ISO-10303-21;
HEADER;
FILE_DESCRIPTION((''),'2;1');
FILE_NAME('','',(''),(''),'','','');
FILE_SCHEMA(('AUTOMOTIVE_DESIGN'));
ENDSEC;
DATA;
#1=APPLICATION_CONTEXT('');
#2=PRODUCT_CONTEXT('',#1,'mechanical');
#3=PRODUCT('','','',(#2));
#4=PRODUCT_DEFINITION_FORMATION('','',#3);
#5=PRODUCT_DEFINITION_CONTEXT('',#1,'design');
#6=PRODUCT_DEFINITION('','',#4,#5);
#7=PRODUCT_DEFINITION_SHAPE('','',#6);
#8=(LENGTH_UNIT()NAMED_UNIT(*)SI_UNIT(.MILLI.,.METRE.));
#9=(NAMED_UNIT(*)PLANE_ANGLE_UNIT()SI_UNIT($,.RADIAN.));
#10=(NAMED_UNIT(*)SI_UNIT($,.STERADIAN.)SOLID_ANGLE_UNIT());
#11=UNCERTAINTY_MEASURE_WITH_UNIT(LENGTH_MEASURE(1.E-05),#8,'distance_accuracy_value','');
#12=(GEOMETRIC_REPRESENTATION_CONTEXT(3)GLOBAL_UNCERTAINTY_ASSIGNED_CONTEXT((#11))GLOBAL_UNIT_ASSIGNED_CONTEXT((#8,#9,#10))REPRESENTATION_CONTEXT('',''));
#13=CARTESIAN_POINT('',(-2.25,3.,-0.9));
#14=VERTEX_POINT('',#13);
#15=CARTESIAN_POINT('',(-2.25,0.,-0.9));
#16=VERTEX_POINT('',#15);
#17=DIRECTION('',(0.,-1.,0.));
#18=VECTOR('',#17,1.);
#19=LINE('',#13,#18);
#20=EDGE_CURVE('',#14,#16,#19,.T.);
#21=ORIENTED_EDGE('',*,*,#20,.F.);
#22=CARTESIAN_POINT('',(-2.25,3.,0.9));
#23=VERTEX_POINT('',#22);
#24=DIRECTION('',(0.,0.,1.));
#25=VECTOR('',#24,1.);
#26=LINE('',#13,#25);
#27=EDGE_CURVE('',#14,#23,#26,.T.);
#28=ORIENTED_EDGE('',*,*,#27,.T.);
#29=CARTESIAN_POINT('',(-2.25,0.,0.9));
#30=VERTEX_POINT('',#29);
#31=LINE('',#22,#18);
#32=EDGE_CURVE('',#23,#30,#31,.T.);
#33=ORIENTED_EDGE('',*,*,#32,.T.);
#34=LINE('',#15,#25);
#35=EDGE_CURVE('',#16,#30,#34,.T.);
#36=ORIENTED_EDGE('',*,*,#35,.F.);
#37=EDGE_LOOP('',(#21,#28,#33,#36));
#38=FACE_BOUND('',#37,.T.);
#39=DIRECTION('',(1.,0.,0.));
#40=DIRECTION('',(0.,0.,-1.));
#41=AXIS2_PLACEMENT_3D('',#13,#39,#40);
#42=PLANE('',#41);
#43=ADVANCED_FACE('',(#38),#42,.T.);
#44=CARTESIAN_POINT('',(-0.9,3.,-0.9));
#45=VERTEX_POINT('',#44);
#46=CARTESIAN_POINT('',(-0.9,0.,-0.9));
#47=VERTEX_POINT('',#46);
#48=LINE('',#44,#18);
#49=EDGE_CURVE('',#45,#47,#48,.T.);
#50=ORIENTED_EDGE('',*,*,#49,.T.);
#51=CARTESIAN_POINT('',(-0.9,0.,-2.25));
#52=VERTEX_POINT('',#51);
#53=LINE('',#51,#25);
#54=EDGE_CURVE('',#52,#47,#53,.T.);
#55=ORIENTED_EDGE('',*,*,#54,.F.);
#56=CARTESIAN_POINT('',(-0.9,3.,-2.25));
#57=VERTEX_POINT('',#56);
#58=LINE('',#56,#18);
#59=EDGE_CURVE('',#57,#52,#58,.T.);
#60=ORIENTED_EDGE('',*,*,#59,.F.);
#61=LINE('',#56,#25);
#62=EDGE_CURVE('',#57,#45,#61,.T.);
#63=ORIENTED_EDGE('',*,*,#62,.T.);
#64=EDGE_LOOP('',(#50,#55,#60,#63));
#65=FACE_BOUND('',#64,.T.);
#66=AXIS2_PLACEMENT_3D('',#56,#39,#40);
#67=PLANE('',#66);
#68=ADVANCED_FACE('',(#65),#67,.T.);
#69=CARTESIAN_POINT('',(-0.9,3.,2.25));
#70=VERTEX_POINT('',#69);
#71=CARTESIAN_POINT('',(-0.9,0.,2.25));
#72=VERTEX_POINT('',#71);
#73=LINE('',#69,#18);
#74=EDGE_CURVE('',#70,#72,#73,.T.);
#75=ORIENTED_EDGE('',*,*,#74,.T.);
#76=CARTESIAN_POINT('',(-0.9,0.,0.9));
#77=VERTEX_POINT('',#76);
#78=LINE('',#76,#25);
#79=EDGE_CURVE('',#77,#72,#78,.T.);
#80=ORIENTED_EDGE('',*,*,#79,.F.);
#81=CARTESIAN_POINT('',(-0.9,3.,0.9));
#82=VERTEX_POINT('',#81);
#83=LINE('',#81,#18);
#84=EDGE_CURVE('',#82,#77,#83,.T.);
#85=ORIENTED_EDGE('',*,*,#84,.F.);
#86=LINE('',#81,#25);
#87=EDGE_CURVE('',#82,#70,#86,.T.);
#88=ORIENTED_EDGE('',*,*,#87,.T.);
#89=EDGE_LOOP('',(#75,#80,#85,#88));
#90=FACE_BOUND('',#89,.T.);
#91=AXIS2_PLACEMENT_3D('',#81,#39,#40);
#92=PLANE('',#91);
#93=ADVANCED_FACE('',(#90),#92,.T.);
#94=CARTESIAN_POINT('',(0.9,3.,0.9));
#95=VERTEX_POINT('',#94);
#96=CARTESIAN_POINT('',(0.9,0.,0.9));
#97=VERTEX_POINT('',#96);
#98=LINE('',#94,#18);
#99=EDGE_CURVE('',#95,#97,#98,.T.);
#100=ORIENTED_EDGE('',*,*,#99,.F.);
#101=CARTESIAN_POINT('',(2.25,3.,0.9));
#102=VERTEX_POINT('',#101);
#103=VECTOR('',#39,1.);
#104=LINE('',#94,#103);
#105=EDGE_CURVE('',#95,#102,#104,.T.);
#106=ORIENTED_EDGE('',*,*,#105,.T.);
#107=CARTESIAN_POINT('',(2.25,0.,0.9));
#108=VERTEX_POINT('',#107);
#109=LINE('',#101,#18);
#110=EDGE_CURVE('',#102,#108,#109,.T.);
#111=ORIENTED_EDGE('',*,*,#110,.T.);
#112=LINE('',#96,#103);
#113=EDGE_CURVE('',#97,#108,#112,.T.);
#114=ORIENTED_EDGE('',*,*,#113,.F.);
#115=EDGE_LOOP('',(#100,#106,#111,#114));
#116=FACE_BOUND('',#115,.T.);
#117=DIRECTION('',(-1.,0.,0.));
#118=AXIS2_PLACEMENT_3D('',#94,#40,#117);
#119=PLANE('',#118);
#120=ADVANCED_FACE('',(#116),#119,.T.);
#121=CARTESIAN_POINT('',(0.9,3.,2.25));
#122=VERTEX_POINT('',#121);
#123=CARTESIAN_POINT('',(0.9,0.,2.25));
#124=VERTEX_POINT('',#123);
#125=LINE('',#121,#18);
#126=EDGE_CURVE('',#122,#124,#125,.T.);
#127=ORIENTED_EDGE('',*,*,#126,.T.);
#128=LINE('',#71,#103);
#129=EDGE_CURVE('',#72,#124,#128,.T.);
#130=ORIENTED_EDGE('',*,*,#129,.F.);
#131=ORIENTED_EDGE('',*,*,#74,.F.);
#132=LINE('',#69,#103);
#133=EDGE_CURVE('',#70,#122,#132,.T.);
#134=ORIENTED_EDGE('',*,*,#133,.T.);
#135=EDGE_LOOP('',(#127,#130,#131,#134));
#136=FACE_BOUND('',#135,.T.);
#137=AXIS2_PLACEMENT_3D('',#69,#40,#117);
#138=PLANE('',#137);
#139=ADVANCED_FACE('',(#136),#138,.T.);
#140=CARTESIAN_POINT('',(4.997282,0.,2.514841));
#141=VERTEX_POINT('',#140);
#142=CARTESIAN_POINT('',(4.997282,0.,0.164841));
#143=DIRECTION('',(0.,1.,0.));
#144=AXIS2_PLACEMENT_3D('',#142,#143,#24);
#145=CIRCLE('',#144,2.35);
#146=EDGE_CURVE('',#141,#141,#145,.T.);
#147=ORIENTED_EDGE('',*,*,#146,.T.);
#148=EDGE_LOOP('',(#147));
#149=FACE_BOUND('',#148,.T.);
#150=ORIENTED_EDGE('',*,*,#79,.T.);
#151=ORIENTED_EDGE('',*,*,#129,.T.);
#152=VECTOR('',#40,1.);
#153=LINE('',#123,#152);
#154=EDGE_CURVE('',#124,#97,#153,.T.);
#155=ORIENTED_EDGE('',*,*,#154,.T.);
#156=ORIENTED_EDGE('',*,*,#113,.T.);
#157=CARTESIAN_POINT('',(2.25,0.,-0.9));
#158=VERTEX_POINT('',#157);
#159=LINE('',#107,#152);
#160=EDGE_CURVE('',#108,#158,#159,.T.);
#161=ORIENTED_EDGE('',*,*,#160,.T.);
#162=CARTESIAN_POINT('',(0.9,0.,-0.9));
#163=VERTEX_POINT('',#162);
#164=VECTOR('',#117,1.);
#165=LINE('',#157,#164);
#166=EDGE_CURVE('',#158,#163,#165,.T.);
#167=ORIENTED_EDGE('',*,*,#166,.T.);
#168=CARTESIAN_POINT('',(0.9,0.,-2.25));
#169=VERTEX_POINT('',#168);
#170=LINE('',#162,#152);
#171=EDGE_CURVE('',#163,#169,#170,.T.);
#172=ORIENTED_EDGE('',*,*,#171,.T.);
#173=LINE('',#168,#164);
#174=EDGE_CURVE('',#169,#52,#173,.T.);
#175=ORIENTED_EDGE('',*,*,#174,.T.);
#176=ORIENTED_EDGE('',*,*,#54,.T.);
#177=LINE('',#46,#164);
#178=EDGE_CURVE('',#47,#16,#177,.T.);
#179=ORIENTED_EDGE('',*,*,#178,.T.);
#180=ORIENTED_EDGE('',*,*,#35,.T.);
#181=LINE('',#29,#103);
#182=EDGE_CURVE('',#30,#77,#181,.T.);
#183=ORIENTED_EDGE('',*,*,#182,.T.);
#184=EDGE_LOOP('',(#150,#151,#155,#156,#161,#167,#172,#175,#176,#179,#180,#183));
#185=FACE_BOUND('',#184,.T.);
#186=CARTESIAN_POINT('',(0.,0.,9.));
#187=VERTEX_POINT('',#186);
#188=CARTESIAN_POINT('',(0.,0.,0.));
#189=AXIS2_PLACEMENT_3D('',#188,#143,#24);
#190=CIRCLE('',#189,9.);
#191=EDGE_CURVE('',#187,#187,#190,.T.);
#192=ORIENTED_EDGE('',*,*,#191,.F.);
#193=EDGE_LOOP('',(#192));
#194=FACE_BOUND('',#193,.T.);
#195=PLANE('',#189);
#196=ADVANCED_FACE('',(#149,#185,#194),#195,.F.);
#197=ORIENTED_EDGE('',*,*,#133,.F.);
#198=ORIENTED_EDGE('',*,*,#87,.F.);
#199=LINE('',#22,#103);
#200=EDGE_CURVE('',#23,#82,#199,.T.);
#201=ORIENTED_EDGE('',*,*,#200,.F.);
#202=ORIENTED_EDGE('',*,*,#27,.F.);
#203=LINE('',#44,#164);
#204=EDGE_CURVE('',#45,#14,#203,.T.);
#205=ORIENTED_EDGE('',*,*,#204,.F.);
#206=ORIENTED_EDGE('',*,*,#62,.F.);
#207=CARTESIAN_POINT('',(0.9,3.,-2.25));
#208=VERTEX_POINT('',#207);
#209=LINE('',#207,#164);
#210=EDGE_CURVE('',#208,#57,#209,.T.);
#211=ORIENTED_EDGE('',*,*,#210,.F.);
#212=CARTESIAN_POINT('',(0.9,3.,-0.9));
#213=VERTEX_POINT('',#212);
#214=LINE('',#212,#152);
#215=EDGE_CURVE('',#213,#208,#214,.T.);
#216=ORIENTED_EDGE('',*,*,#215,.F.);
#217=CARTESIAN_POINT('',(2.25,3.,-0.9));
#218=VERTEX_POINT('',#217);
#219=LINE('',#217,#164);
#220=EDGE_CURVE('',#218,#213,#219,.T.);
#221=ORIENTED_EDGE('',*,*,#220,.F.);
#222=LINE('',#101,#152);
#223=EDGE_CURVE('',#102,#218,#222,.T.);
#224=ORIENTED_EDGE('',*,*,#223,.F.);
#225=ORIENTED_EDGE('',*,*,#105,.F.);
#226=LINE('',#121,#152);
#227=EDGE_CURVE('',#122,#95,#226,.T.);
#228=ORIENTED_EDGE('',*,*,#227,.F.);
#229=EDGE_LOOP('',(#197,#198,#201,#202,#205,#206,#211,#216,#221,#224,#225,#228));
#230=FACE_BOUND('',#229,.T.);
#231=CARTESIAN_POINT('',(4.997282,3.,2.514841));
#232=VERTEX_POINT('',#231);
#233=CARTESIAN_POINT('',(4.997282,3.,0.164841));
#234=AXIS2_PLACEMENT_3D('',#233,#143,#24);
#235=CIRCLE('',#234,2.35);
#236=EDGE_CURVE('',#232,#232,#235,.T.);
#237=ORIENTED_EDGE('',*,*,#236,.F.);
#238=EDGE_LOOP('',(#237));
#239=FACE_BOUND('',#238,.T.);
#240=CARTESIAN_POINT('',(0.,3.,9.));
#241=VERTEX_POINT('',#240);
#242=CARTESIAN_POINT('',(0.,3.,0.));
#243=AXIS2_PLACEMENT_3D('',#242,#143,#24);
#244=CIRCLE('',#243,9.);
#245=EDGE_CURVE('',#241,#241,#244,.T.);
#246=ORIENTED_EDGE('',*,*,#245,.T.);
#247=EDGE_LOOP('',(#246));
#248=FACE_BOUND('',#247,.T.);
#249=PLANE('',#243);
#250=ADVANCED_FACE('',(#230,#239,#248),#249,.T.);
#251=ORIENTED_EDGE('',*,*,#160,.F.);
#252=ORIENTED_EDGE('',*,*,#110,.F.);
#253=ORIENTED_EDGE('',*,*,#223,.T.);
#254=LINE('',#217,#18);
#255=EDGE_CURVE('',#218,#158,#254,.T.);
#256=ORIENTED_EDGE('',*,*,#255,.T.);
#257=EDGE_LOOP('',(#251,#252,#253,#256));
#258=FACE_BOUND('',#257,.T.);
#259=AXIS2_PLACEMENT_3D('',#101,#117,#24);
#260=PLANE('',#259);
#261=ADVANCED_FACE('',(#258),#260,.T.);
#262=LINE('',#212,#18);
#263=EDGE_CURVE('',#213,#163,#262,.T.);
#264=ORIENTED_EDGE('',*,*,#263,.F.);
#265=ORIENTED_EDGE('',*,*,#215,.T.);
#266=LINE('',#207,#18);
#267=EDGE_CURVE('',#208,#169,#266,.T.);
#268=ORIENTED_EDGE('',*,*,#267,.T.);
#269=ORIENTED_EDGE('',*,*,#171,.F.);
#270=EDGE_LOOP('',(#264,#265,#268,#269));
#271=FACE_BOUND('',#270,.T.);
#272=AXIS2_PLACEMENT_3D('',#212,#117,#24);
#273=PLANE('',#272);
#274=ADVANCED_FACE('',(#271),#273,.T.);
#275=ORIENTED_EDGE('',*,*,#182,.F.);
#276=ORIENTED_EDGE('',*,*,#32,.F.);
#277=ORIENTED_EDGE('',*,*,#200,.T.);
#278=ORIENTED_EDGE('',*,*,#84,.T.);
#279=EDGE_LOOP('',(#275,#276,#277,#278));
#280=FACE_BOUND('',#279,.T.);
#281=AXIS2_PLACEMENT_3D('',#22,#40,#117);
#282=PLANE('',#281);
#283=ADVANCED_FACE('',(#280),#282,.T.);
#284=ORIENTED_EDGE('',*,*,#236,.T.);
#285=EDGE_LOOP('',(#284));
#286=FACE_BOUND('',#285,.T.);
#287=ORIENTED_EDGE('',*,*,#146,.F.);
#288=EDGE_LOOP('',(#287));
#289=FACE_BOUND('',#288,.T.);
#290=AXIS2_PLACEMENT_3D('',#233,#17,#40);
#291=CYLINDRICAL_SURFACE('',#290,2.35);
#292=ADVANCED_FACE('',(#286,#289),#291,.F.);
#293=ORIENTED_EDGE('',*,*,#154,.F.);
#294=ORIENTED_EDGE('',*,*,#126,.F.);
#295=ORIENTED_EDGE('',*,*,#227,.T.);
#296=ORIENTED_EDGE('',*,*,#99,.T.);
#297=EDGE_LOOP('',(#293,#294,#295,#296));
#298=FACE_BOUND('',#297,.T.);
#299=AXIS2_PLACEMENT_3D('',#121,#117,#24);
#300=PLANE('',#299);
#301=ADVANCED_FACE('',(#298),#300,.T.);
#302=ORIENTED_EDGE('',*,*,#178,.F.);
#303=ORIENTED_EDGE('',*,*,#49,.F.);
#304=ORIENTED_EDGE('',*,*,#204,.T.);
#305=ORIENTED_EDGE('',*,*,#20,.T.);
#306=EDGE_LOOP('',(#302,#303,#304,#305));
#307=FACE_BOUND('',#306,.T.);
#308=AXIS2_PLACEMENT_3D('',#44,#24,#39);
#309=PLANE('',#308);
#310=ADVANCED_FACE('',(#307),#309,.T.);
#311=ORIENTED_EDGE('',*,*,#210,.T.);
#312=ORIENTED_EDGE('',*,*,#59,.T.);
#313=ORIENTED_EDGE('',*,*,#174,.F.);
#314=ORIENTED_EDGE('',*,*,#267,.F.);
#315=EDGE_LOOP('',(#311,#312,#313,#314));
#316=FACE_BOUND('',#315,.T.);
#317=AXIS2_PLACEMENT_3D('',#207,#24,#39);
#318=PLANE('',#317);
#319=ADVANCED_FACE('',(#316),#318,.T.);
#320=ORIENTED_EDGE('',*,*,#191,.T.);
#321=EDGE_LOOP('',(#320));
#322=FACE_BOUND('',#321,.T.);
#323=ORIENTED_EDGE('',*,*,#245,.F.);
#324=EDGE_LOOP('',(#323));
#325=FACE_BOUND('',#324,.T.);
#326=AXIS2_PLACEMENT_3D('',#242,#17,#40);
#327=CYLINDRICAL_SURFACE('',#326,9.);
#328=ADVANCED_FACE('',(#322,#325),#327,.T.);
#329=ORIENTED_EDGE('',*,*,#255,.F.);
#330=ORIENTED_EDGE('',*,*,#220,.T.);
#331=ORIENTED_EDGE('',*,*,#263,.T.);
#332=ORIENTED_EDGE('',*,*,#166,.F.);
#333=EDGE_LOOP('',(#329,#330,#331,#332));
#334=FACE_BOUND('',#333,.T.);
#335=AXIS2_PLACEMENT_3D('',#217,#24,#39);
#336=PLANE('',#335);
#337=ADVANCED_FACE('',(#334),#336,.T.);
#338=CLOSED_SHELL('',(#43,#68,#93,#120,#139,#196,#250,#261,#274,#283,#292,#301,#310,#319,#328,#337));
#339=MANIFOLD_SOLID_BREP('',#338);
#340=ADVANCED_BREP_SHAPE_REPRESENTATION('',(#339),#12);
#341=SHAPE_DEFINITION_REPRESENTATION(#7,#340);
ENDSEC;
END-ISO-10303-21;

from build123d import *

# Parameters (mm, degrees)
SKETCH1_R           = 9
SKETCH1_R_2         = 2.35
BOSS_EXTRUDE1_DEPTH = 3


with BuildPart() as part:
    # Sketch1 → Boss-Extrude1 (new body)
    with BuildSketch(Plane(origin=(0, 0, 0), x_dir=(1, 0, 0), z_dir=(0, 1, 0))):
        Circle(SKETCH1_R)
        with Locations((4.997281989, -0.164841493)):
            Circle(SKETCH1_R_2, mode=Mode.SUBTRACT)
        Polygon((-2.25, 0.9), (-2.25, -0.9), (-0.9, -0.9), (-0.9, -2.25), (0.9, -2.25), (0.9, -0.9), (2.25, -0.9), (2.25, 0.9), (0.9, 0.9), (0.9, 2.25), (-0.9, 2.25), (-0.9, 0.9), align=None, mode=Mode.SUBTRACT)
    extrude(amount=BOSS_EXTRUDE1_DEPTH)


solid = part.part
